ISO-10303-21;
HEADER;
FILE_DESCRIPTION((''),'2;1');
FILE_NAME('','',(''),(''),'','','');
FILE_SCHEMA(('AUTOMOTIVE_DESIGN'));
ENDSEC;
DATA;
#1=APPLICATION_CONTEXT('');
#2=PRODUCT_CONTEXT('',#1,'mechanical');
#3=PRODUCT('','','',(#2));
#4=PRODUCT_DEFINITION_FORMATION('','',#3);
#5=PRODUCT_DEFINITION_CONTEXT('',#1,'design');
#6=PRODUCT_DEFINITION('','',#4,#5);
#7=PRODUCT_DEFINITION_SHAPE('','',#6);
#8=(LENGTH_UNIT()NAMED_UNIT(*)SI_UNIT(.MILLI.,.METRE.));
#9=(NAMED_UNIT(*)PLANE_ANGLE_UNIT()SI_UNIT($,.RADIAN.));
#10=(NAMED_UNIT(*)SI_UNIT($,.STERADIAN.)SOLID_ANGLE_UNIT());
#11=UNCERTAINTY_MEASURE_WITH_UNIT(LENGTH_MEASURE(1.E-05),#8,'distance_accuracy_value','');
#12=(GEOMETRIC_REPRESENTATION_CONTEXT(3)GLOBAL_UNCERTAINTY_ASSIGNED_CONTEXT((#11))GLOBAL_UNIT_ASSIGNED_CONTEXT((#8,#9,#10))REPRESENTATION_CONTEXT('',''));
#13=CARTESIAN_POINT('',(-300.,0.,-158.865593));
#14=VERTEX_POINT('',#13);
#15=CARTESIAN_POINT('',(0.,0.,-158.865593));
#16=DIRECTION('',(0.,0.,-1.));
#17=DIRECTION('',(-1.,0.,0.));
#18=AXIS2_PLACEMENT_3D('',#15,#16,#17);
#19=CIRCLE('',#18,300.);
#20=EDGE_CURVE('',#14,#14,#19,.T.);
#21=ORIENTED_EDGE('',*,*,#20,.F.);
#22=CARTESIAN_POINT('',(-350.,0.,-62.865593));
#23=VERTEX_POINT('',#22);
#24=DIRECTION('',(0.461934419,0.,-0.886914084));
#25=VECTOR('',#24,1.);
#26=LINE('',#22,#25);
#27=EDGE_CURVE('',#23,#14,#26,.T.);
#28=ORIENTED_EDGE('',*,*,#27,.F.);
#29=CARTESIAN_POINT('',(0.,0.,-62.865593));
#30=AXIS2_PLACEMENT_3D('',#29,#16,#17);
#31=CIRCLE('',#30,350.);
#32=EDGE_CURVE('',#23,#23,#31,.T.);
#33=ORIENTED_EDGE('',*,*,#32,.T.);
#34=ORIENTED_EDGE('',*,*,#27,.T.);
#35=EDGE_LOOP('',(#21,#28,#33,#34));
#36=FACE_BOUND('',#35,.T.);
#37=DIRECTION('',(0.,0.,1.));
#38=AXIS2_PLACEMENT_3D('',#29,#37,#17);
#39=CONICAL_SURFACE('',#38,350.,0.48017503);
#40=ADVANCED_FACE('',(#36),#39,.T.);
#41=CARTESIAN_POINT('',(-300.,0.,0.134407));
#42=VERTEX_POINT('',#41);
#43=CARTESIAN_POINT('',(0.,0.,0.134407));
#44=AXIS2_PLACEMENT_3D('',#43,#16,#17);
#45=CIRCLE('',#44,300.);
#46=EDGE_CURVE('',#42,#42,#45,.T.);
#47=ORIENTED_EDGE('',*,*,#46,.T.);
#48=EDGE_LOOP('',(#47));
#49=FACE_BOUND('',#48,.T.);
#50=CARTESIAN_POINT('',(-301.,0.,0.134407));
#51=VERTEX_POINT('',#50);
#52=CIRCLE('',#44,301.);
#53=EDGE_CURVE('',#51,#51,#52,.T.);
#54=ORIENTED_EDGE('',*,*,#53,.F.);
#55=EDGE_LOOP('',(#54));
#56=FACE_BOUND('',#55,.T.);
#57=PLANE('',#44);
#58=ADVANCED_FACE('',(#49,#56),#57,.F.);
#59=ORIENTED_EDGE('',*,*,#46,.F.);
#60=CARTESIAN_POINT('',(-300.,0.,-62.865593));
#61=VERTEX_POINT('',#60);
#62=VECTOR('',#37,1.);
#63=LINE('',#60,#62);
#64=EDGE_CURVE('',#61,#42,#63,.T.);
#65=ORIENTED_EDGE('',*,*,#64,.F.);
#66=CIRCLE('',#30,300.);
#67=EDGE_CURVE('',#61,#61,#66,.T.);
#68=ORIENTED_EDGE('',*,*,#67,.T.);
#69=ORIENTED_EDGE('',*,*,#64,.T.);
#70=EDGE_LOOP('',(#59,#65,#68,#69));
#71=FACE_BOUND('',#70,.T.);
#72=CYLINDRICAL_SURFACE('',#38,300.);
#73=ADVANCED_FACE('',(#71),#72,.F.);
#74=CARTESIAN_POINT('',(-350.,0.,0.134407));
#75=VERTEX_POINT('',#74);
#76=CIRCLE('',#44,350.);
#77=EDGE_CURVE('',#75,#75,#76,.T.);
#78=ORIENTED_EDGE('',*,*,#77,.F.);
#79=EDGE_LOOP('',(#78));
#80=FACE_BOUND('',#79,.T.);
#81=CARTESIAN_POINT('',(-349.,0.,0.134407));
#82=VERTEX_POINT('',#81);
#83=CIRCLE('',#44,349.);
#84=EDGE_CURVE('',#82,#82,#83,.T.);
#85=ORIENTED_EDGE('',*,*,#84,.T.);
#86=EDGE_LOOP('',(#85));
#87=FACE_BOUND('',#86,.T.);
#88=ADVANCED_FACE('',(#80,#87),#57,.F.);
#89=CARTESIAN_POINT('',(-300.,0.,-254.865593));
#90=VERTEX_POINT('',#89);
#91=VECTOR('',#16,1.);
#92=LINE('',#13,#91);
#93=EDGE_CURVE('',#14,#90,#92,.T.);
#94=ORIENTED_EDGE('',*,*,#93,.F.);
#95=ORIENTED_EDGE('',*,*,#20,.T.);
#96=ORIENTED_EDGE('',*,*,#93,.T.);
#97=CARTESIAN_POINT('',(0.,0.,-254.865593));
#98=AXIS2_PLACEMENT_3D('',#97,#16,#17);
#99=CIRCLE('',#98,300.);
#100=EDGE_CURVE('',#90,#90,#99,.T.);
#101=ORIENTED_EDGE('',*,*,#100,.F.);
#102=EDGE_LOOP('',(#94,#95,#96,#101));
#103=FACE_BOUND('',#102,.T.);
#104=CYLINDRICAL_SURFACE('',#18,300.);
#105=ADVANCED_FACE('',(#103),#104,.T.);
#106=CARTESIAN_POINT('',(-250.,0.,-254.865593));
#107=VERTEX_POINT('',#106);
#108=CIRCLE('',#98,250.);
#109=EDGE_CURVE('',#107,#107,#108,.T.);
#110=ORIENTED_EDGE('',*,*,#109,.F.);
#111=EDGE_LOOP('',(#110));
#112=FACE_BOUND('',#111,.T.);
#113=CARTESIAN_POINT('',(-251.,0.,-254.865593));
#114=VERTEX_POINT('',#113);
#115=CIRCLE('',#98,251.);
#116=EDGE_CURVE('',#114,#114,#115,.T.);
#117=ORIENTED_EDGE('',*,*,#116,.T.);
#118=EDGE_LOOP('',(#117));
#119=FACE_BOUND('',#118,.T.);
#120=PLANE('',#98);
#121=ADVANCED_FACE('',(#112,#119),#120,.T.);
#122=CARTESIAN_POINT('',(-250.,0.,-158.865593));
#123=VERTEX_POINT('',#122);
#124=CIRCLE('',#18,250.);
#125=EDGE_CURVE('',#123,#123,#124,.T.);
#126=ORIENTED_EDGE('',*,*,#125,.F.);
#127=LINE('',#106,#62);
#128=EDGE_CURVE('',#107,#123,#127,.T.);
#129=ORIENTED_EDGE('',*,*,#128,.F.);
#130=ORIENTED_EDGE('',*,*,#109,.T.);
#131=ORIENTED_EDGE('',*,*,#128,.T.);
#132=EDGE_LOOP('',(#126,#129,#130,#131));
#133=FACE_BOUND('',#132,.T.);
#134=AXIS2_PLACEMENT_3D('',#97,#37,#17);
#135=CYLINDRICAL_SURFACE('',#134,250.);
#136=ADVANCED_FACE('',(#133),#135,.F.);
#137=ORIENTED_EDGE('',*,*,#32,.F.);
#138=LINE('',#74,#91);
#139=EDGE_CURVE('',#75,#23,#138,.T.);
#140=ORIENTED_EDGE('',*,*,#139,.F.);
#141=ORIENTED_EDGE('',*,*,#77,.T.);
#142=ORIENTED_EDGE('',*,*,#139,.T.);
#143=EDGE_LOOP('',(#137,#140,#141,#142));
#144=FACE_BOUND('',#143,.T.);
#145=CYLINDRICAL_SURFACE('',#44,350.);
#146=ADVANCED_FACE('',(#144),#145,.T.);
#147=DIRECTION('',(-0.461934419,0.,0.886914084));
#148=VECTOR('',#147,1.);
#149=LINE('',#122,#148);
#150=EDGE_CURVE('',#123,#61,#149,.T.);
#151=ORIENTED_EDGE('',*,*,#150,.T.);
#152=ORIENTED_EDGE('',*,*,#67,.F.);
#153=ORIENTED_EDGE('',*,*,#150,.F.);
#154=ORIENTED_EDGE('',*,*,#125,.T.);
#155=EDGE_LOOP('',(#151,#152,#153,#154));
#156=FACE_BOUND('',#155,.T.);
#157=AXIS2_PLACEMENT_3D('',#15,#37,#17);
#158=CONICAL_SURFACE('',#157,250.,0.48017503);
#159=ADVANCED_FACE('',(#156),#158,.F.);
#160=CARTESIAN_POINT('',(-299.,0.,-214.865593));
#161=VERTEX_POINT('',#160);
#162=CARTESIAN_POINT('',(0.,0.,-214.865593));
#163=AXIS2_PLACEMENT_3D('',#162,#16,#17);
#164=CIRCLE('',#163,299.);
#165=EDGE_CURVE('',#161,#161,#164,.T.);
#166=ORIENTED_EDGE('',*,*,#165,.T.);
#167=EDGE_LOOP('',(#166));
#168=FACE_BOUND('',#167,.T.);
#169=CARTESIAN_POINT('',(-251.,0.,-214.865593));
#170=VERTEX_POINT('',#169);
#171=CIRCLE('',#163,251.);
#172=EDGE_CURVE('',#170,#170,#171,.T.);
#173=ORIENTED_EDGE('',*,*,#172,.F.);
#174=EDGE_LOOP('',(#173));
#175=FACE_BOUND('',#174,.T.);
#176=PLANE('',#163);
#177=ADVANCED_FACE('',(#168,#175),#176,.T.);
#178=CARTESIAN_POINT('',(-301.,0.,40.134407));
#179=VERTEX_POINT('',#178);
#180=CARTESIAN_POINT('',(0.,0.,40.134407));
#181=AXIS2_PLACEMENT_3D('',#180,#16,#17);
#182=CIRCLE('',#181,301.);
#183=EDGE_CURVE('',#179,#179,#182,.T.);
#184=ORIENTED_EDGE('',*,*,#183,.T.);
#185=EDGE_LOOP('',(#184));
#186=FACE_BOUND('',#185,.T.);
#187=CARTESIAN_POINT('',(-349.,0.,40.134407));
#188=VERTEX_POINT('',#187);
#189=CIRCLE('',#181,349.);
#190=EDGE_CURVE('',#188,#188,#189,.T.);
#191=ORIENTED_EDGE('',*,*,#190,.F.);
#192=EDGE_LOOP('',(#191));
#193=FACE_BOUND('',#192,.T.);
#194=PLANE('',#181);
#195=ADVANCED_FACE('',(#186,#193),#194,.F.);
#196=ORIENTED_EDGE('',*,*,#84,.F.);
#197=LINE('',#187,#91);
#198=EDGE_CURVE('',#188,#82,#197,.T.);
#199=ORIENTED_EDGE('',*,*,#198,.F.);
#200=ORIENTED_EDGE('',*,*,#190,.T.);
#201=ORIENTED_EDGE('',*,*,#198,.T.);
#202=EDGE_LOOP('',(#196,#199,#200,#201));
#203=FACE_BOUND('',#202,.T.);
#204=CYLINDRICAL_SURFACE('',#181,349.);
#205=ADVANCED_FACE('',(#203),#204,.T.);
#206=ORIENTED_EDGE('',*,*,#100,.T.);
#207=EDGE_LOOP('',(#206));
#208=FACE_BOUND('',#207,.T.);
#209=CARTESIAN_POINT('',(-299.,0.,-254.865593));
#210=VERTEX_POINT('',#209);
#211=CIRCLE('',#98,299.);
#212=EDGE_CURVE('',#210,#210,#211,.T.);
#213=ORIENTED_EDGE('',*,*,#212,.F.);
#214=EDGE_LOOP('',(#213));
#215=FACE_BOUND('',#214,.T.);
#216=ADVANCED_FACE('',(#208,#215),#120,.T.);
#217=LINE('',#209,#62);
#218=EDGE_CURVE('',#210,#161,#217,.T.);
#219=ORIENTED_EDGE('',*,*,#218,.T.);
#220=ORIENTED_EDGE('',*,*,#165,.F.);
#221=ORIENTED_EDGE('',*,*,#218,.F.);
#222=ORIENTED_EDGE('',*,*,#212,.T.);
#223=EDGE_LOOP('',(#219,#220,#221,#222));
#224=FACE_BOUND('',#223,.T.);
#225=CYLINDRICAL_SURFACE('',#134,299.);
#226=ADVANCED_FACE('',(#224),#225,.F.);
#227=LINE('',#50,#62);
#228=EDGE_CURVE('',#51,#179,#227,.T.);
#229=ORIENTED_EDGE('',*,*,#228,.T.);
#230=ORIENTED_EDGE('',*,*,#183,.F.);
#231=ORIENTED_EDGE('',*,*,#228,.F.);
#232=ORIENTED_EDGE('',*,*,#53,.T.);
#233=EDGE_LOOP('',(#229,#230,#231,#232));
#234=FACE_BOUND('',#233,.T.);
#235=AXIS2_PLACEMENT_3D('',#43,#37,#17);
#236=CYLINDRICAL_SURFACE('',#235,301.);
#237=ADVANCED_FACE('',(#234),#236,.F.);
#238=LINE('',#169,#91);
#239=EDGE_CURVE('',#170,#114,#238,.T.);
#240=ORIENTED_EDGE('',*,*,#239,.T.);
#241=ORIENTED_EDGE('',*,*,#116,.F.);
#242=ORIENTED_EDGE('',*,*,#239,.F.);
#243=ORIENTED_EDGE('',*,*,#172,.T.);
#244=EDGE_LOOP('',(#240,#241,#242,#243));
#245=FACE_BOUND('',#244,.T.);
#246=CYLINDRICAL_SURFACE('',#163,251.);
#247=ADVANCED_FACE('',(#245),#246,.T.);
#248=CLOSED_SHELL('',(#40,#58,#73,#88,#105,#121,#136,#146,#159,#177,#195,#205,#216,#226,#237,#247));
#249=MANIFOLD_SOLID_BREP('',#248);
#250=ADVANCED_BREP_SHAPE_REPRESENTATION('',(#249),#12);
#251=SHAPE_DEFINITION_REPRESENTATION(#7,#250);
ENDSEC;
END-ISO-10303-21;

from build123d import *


with BuildPart() as f1:
    # F0 (on Front) → F1 (revolve)
    with BuildSketch(Plane.XZ):
        Polygon((-251, -254.865593), (-250, -254.865593), (-250, -158.865593), (-300, -62.865593), (-300, 0.134407), (-301, 0.134407), (-301, 40.134407), (-349, 40.134407), (-349, 0.134407), (-350, 0.134407), (-350, -62.865593), (-300, -158.865593), (-300, -254.865593), (-299, -254.865593), (-299, -214.865593), (-251, -214.865593), align=None)
    revolve(axis=Axis((0, 0, -0.829662), (0, 0, -1)))


solid = f1.part
